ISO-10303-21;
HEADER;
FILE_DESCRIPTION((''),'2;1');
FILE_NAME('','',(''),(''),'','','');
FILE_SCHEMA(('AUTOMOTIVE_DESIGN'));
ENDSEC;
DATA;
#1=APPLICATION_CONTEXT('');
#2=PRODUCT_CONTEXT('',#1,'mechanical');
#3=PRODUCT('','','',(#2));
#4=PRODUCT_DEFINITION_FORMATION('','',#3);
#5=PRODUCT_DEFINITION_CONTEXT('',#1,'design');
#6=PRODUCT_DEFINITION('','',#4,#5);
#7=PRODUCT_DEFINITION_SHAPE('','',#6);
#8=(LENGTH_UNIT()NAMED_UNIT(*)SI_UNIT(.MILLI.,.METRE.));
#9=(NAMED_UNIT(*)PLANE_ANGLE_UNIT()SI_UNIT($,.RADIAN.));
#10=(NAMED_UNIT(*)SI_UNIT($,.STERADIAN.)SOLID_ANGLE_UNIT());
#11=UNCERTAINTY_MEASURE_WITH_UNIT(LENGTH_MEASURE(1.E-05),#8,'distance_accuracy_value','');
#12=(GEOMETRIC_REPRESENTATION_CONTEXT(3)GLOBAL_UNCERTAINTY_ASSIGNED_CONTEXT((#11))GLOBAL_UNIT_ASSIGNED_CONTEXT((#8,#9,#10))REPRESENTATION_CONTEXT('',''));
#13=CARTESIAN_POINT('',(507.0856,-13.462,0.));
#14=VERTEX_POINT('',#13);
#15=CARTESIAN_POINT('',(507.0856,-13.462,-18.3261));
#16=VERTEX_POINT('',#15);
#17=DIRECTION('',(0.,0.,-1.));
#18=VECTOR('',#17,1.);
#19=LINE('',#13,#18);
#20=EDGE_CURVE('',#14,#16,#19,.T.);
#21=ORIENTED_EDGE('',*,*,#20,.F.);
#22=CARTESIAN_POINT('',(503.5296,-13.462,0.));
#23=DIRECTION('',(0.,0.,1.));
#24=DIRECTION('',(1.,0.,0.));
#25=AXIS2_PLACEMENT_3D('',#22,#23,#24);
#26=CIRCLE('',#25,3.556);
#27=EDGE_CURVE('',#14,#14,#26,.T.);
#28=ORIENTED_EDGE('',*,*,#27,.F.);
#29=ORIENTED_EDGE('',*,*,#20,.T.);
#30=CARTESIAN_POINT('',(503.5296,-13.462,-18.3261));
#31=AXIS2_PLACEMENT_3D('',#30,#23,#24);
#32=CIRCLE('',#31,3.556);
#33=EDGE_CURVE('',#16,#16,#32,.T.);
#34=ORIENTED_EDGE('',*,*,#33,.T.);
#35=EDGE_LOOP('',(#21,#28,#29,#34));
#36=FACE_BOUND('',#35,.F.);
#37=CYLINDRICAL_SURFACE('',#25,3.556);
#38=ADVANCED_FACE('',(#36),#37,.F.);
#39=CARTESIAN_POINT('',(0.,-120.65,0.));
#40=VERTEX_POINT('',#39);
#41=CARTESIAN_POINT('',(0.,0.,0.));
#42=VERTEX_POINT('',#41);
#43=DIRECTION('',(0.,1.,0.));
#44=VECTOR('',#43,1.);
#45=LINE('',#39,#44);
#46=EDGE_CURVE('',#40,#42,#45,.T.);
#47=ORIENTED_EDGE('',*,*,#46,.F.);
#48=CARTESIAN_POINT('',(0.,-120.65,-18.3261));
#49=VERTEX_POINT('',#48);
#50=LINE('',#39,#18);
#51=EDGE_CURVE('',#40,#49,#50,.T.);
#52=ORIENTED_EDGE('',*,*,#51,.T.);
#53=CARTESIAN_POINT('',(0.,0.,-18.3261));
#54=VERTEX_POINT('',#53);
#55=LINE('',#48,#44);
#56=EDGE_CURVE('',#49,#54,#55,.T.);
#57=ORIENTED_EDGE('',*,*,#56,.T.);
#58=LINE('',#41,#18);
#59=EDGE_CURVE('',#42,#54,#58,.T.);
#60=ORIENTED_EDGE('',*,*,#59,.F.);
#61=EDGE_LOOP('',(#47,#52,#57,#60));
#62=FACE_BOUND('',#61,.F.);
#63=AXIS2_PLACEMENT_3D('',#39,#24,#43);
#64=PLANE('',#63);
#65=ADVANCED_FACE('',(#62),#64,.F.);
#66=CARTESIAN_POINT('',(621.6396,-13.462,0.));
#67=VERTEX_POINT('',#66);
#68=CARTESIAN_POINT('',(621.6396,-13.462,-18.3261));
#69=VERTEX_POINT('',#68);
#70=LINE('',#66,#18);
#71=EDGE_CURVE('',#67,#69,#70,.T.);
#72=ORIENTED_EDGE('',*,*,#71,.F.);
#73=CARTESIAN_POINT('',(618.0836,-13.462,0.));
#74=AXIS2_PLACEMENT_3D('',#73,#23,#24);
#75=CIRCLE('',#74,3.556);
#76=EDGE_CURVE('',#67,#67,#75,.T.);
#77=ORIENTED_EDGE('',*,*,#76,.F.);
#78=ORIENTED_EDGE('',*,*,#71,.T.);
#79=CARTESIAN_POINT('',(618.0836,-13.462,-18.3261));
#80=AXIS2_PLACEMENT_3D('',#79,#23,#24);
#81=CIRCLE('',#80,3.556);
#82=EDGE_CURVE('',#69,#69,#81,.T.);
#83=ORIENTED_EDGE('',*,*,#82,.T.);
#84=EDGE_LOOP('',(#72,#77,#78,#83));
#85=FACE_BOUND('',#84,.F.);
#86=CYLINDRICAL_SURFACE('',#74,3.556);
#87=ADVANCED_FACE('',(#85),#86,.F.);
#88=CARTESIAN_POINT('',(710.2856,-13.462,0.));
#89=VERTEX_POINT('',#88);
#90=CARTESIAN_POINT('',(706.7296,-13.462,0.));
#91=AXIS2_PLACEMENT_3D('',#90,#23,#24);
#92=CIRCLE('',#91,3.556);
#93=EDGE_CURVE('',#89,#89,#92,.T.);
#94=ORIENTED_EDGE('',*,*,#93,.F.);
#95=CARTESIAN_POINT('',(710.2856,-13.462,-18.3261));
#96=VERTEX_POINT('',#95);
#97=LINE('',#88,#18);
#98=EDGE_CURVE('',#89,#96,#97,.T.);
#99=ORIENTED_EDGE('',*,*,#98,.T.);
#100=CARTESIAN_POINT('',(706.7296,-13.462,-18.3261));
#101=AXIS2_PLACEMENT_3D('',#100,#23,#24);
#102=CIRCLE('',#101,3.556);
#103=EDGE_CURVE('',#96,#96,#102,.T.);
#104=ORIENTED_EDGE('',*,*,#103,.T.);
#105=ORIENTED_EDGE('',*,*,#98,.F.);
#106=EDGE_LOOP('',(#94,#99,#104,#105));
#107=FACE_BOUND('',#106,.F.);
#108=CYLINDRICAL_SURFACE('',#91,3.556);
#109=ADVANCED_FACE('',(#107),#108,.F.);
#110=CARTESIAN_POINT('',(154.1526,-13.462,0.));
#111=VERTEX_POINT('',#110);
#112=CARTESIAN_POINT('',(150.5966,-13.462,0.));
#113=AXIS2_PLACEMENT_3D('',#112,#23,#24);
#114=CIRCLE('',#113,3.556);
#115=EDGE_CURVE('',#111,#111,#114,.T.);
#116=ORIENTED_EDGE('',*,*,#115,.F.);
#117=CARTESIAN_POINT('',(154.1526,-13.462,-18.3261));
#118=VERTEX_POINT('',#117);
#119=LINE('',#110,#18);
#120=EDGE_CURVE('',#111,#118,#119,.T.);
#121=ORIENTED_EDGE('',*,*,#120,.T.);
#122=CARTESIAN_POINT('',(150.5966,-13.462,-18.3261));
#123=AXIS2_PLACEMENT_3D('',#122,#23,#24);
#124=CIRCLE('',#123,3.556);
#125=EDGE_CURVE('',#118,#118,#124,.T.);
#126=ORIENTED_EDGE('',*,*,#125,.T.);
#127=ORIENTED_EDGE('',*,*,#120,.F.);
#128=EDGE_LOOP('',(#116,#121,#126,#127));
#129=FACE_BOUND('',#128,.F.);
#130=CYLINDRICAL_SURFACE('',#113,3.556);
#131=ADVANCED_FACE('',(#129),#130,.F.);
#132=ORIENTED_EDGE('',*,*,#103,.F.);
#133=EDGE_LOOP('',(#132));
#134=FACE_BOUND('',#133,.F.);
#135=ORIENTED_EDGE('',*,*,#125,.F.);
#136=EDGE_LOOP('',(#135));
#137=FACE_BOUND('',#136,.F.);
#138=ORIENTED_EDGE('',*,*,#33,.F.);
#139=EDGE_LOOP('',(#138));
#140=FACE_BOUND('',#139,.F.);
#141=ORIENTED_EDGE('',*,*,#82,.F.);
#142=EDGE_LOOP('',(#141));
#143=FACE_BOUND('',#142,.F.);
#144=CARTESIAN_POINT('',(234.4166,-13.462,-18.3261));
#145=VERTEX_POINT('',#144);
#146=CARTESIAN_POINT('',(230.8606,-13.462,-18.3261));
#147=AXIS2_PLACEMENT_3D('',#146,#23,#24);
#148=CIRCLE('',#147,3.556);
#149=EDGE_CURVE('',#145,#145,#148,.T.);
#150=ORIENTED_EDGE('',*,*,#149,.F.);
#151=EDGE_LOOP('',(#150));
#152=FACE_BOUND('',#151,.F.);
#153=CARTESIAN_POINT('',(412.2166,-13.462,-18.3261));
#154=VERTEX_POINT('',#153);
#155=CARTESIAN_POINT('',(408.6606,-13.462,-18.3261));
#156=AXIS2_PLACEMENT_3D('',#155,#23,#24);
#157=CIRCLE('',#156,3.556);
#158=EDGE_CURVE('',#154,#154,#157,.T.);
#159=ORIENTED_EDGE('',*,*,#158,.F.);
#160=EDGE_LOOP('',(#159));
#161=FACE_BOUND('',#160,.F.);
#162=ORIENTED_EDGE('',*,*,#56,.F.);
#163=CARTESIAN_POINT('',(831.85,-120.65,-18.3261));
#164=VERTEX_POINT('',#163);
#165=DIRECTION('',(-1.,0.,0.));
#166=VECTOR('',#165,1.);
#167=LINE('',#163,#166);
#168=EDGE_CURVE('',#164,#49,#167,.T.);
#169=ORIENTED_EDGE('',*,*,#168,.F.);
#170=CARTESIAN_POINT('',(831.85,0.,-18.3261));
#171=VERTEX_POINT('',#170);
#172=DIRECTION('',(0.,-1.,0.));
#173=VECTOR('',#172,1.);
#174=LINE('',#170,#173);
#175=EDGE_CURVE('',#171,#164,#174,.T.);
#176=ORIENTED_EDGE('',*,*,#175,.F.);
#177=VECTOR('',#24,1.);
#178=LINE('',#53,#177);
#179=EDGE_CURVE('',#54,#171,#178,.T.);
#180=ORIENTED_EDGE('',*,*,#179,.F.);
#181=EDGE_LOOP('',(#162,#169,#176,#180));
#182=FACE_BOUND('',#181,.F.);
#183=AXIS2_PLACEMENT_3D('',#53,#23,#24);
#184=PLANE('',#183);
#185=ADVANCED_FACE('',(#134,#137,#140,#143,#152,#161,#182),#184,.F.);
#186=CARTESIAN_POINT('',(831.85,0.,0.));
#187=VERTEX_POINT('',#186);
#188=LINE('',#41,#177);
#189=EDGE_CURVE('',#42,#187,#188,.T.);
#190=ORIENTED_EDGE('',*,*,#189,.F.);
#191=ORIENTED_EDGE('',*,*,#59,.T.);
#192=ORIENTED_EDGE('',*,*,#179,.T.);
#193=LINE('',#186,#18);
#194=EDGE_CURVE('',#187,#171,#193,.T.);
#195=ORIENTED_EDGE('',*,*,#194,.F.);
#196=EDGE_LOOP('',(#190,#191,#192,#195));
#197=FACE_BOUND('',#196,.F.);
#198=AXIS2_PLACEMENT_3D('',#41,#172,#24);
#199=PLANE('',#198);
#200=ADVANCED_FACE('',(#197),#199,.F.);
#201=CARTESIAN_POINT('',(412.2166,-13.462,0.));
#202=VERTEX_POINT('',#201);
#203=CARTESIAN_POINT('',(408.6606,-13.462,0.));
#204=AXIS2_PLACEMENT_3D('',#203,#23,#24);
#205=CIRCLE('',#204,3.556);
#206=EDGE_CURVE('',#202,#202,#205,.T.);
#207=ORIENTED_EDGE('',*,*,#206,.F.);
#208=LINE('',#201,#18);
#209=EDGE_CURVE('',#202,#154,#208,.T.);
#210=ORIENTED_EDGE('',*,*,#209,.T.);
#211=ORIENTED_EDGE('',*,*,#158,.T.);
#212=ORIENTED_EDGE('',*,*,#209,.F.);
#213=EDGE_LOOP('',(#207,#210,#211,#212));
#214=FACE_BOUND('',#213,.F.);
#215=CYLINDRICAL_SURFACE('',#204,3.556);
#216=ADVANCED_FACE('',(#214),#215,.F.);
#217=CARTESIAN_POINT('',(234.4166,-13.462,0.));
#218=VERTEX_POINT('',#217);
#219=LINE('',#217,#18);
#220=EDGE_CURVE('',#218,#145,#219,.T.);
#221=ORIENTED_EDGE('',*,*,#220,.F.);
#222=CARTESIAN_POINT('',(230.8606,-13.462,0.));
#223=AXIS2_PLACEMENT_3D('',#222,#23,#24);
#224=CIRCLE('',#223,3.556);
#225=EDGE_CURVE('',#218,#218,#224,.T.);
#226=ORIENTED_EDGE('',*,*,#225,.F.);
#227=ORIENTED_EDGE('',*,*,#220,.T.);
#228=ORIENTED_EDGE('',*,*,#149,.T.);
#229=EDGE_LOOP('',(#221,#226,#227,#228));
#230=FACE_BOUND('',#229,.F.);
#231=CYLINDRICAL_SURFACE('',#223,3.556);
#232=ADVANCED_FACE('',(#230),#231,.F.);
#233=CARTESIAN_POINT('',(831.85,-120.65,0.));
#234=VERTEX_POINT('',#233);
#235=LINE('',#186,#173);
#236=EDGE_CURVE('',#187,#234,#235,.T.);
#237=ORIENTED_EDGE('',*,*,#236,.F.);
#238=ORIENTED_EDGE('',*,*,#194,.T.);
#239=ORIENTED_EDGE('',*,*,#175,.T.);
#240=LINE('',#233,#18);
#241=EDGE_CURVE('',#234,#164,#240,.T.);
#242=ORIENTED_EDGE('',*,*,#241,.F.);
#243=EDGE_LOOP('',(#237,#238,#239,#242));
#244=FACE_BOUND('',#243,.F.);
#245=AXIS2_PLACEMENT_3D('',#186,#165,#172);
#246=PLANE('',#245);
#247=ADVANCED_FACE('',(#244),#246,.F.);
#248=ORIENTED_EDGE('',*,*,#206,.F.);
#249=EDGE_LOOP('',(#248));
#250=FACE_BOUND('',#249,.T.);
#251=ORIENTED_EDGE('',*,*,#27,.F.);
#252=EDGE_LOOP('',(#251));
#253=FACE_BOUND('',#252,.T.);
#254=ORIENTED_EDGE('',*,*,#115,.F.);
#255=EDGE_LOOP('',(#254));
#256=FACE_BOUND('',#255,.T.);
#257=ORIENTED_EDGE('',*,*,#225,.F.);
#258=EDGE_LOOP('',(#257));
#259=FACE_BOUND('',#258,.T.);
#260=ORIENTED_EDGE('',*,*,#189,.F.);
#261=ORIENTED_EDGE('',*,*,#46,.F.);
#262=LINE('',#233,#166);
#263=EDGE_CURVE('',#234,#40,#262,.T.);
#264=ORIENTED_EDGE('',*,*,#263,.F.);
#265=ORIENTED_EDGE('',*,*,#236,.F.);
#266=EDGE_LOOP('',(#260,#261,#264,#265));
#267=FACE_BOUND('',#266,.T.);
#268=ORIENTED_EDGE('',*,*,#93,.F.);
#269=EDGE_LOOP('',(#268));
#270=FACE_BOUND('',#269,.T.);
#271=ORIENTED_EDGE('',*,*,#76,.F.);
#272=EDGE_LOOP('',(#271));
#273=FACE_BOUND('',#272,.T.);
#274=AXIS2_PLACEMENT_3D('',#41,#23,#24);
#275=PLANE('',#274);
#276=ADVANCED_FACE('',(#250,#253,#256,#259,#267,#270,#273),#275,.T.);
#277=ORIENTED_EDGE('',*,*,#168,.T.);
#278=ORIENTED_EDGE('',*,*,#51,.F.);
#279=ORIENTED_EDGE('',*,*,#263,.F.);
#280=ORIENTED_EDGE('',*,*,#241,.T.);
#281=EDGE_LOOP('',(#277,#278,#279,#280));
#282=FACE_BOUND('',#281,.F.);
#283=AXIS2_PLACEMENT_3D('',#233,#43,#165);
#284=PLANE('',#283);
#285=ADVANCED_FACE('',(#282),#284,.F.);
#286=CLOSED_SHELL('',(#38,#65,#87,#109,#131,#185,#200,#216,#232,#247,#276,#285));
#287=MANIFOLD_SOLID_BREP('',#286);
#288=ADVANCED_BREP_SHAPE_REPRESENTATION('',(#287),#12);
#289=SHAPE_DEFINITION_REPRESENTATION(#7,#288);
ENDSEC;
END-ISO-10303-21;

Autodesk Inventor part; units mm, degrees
ref_plane "YZ Plane" through (0, 0, 0) normal (1, 0, 0) x (0, 1, 0)
ref_plane "XZ Plane" through (0, 0, 0) normal (0, 1, 0) x (-1, 0, 0)
ref_plane "XY Plane" through (0, 0, 0) normal (0, 0, 1) x (1, 0, 0)
sketch "Sketch1" plane through (0, 0, 0) normal (0, 0, 1) x (1, 0, 0)
  line L0 (0, 0) -> (831.85, 0)
  line L1 (831.85, 0) -> (831.85, -120.65)
  line L2 (831.85, -120.65) -> (0, -120.65)
  line L3 (0, -120.65) -> (0, 0)
  circle A0 centre (150.5966, -13.462) radius 3.556
  circle A1 centre (230.8606, -13.462) radius 3.556
  circle A2 centre (408.6606, -13.462) radius 3.556
  circle A3 centre (503.5296, -13.462) radius 3.556
  circle A4 centre (618.0836, -13.462) radius 3.556
  circle A5 centre (706.7296, -13.462) radius 3.556
  dimension "d0" = 831.85
  dimension "d1" = 120.65
  dimension "d2" = 7.112
  dimension "d3" = 150.5966
  dimension "d4" = 107.188
  dimension "d5" = 7.112
  dimension "d6" = 80.264
  dimension "d7" = 107.188
  dimension "d8" = 7.112
  dimension "d9" = 107.188
  dimension "d10" = 177.8
  dimension "d11" = 7.112
  dimension "d12" = 107.188
  dimension "d13" = 94.869
  dimension "d14" = 7.112
  dimension "d15" = 107.188
  dimension "d16" = 114.554
  dimension "d17" = 7.112
  dimension "d19" = 88.646
  dimension "d20" = 107.188
extrude "Extrusion1" add sketch "Sketch1" against normal blind 18.3261
properties part number "Kermit bumper (middle 4)"
